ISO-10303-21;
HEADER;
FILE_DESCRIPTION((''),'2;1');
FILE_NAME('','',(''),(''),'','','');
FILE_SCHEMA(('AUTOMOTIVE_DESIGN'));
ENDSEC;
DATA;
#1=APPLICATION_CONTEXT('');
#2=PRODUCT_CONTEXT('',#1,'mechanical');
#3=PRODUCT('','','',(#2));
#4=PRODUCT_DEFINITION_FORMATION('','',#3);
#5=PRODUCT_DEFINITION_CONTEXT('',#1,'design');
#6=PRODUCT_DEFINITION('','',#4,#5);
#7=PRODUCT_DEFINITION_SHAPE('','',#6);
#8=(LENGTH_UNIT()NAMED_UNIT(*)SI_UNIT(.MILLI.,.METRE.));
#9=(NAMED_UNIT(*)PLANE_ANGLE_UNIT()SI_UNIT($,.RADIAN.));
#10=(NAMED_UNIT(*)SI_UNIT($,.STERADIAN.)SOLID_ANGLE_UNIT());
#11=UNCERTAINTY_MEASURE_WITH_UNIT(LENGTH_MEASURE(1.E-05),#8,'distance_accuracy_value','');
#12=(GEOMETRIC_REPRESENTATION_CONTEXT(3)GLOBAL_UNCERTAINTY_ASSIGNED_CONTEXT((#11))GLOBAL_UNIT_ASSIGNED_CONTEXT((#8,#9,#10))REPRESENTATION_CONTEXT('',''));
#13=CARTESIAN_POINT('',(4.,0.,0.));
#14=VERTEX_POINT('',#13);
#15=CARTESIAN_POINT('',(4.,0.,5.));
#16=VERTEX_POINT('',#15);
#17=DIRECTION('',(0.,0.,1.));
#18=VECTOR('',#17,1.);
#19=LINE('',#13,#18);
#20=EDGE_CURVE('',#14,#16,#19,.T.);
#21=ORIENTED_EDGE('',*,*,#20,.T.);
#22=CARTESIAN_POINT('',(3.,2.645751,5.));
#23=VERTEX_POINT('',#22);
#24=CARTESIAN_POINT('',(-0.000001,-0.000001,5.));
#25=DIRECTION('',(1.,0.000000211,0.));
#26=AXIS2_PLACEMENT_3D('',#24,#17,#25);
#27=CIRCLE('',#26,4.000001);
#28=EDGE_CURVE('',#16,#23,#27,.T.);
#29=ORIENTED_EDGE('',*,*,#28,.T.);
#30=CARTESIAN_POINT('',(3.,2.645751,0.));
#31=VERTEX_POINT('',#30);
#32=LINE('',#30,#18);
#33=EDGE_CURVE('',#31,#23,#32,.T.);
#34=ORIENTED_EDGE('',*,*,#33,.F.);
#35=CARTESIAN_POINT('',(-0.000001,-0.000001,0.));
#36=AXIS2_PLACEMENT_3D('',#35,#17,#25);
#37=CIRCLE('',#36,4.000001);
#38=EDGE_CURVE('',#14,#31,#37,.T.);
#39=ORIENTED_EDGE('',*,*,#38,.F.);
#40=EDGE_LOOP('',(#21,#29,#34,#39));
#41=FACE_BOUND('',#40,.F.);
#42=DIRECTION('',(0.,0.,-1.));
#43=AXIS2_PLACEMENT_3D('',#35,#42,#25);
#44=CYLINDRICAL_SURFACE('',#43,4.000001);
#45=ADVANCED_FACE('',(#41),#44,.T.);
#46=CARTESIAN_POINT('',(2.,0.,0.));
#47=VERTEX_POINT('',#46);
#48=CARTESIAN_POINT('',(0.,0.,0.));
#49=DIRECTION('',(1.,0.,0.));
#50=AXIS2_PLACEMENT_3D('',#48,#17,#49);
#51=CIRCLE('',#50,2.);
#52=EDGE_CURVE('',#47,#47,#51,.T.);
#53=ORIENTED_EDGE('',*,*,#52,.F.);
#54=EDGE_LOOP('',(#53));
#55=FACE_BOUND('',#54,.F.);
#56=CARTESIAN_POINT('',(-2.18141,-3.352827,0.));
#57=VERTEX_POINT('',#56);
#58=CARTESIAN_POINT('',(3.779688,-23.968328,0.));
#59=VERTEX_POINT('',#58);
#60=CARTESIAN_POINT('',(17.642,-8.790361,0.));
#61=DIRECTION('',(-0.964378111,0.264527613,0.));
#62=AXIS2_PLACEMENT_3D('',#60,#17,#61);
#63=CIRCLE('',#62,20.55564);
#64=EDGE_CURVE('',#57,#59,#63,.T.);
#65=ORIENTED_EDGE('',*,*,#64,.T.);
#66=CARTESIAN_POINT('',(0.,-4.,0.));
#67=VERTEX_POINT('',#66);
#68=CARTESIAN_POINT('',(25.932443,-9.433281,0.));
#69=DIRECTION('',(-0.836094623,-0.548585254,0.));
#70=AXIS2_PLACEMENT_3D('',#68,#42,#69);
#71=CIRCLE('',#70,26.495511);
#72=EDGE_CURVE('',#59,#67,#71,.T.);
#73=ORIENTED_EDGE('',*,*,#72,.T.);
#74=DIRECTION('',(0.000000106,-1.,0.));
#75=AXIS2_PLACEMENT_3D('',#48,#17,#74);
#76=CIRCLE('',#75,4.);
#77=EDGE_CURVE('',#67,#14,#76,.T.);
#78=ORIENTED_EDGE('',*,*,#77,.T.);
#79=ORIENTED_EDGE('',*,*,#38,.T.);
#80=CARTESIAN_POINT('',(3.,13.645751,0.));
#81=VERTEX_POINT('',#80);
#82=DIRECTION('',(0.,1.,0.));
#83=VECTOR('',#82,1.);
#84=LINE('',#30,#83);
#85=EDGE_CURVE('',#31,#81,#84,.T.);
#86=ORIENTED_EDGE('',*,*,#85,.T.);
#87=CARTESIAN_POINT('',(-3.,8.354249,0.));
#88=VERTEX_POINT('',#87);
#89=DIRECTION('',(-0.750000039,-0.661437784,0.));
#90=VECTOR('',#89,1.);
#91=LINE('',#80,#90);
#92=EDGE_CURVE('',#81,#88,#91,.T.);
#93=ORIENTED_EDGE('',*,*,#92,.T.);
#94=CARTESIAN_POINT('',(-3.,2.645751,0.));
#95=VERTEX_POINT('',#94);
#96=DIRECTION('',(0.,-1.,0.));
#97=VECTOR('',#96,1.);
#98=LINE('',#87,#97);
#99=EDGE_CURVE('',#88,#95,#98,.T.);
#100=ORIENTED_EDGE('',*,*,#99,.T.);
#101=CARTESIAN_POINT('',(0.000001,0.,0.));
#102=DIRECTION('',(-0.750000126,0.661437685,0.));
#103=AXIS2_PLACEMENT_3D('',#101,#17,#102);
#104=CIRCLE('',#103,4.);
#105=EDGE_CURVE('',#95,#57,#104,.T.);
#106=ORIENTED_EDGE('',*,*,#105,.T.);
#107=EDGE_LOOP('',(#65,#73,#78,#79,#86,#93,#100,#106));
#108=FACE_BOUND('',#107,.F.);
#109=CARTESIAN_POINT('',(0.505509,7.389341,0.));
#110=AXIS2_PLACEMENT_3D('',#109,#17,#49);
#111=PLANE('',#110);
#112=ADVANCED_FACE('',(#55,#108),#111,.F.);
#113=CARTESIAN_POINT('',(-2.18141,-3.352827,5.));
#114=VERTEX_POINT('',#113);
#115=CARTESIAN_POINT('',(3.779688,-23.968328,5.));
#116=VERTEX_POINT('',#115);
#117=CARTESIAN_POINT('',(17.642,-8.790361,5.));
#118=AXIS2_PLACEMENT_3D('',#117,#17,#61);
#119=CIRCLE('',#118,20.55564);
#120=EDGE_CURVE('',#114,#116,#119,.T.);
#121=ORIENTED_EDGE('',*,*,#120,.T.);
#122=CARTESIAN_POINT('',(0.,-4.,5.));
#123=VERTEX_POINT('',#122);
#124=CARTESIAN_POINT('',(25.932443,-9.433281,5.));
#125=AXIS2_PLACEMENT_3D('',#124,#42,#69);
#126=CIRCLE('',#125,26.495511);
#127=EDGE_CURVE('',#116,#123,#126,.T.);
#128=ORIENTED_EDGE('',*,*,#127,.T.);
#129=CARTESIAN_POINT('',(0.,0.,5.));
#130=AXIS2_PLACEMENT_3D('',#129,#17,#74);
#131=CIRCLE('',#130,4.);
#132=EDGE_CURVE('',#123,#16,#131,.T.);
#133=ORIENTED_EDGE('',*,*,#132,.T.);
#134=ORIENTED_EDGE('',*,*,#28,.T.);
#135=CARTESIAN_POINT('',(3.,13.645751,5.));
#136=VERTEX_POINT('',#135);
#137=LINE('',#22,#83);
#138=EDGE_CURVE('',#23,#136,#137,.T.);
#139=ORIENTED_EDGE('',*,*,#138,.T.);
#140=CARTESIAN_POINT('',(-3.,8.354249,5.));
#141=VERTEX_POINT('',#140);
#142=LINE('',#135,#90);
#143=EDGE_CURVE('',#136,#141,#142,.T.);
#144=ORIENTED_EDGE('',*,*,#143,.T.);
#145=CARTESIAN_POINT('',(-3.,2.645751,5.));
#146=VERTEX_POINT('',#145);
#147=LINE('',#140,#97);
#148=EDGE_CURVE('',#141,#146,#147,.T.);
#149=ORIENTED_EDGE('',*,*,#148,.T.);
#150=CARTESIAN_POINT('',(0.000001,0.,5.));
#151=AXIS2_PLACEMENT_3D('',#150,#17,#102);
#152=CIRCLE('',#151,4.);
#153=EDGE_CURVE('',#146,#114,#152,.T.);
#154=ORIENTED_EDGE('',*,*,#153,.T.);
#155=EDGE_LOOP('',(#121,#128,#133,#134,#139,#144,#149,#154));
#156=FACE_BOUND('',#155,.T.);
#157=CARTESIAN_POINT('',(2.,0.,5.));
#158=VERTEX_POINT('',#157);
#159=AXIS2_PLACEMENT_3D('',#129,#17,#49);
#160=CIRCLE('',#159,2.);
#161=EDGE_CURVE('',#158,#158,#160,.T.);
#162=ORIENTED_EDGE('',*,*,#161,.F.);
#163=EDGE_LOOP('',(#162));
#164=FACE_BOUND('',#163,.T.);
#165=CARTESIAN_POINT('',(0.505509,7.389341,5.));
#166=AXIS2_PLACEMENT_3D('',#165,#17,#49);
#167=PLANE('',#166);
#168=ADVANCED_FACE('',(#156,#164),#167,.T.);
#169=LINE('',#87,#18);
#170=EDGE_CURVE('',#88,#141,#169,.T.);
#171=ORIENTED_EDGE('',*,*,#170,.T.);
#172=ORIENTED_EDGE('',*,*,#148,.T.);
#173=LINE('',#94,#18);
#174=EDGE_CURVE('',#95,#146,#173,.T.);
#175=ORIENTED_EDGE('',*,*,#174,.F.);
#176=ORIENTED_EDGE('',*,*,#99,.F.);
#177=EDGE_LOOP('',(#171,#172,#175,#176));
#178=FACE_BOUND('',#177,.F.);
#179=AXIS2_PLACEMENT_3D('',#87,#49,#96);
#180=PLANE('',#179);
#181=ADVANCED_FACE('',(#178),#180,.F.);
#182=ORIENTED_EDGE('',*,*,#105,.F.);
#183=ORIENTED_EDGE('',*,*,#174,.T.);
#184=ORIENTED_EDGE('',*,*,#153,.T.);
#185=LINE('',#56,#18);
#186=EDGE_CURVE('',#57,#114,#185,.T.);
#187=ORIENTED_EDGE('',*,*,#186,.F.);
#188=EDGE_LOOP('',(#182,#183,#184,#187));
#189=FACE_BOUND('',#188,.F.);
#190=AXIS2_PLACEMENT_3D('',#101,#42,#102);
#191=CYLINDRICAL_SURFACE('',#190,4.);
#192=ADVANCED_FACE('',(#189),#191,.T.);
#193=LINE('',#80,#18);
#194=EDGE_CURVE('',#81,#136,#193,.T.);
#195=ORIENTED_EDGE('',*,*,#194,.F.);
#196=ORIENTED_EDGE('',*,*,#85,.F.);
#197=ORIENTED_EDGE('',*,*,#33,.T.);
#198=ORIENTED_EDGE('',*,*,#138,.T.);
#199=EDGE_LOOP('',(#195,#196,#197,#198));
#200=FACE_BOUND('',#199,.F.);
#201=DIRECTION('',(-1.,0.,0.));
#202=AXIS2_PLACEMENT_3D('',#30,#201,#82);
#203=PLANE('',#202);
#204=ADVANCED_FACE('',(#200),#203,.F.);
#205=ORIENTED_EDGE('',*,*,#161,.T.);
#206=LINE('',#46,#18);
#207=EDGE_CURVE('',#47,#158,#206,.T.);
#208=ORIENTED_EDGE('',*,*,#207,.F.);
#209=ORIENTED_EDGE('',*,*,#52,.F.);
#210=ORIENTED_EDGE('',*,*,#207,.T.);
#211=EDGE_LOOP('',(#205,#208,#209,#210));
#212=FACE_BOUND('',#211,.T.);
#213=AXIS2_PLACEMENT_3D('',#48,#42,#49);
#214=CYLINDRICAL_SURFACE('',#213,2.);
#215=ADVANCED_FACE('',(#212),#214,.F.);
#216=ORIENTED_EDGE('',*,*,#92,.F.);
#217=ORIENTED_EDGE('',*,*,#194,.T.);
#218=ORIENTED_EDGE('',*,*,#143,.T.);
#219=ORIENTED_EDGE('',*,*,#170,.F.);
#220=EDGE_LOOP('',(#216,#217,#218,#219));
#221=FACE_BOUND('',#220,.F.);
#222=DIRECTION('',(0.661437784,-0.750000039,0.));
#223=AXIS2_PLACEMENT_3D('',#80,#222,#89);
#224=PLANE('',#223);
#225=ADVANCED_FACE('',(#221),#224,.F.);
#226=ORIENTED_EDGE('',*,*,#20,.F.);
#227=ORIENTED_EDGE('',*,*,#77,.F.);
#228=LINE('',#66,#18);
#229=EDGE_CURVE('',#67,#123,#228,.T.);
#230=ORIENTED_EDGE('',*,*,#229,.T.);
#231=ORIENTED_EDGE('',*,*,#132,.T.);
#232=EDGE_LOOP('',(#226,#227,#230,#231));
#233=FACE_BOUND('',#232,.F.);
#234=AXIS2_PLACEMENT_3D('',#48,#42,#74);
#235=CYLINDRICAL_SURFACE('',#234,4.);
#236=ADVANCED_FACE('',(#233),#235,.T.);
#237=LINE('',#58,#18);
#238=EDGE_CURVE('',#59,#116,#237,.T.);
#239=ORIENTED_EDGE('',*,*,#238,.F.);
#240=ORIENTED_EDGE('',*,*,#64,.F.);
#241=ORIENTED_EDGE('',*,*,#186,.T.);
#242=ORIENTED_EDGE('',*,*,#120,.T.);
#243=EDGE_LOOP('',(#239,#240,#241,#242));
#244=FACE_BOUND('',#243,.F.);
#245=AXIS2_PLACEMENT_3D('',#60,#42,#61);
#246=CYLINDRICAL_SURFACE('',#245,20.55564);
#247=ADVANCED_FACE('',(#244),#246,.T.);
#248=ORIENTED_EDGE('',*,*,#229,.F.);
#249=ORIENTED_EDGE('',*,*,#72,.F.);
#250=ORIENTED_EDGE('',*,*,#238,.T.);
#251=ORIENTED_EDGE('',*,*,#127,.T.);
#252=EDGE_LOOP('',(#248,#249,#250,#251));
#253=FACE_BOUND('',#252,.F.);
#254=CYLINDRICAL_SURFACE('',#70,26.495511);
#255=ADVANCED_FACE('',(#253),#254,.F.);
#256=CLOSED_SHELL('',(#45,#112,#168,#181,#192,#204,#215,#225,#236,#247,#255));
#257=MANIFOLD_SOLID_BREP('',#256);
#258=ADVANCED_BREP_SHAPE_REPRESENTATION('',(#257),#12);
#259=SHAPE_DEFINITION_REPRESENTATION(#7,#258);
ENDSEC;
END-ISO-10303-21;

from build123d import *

# Parameters (mm, degrees)
F0_R     = 2
F1_DEPTH = 5


with BuildPart() as f1:
    # F0 (on Top) → F1 (new body)
    with BuildSketch(Plane.XY):
        with BuildLine():
            ThreePointArc((-3, 2.645751), (0, 4), (3, 2.645751))
            Line((3, 2.645751), (3, 13.645751))
            Line((3, 13.645751), (-3, 8.354249))
            Line((-3, 8.354249), (-3, 2.645751))
        make_face()
        with BuildLine():
            ThreePointArc((0, -4), (2.828427, -2.828427), (4, 0))
            ThreePointArc((4, 0), (3.741657, 1.414214), (3, 2.645751))
            ThreePointArc((3, 2.645751), (0, 4), (-3, 2.645751))
            ThreePointArc((-3, 2.645751), (-3.963267, -0.540843), (-2.18141, -3.352827))
            ThreePointArc((-2.18141, -3.352827), (-1.137693, -3.834795), (0, -4))
        make_face()
        Circle(F0_R, mode=Mode.SUBTRACT)
        with BuildLine():
            ThreePointArc((3.779688, -23.968328), (-0.100807, -14.360962), (0, -4))
            ThreePointArc((0, -4), (-1.137693, -3.834795), (-2.18141, -3.352827))
            ThreePointArc((-2.18141, -3.352827), (-2.104688, -14.500237), (3.779688, -23.968328))
        make_face()
    extrude(amount=F1_DEPTH)


solid = f1.part
